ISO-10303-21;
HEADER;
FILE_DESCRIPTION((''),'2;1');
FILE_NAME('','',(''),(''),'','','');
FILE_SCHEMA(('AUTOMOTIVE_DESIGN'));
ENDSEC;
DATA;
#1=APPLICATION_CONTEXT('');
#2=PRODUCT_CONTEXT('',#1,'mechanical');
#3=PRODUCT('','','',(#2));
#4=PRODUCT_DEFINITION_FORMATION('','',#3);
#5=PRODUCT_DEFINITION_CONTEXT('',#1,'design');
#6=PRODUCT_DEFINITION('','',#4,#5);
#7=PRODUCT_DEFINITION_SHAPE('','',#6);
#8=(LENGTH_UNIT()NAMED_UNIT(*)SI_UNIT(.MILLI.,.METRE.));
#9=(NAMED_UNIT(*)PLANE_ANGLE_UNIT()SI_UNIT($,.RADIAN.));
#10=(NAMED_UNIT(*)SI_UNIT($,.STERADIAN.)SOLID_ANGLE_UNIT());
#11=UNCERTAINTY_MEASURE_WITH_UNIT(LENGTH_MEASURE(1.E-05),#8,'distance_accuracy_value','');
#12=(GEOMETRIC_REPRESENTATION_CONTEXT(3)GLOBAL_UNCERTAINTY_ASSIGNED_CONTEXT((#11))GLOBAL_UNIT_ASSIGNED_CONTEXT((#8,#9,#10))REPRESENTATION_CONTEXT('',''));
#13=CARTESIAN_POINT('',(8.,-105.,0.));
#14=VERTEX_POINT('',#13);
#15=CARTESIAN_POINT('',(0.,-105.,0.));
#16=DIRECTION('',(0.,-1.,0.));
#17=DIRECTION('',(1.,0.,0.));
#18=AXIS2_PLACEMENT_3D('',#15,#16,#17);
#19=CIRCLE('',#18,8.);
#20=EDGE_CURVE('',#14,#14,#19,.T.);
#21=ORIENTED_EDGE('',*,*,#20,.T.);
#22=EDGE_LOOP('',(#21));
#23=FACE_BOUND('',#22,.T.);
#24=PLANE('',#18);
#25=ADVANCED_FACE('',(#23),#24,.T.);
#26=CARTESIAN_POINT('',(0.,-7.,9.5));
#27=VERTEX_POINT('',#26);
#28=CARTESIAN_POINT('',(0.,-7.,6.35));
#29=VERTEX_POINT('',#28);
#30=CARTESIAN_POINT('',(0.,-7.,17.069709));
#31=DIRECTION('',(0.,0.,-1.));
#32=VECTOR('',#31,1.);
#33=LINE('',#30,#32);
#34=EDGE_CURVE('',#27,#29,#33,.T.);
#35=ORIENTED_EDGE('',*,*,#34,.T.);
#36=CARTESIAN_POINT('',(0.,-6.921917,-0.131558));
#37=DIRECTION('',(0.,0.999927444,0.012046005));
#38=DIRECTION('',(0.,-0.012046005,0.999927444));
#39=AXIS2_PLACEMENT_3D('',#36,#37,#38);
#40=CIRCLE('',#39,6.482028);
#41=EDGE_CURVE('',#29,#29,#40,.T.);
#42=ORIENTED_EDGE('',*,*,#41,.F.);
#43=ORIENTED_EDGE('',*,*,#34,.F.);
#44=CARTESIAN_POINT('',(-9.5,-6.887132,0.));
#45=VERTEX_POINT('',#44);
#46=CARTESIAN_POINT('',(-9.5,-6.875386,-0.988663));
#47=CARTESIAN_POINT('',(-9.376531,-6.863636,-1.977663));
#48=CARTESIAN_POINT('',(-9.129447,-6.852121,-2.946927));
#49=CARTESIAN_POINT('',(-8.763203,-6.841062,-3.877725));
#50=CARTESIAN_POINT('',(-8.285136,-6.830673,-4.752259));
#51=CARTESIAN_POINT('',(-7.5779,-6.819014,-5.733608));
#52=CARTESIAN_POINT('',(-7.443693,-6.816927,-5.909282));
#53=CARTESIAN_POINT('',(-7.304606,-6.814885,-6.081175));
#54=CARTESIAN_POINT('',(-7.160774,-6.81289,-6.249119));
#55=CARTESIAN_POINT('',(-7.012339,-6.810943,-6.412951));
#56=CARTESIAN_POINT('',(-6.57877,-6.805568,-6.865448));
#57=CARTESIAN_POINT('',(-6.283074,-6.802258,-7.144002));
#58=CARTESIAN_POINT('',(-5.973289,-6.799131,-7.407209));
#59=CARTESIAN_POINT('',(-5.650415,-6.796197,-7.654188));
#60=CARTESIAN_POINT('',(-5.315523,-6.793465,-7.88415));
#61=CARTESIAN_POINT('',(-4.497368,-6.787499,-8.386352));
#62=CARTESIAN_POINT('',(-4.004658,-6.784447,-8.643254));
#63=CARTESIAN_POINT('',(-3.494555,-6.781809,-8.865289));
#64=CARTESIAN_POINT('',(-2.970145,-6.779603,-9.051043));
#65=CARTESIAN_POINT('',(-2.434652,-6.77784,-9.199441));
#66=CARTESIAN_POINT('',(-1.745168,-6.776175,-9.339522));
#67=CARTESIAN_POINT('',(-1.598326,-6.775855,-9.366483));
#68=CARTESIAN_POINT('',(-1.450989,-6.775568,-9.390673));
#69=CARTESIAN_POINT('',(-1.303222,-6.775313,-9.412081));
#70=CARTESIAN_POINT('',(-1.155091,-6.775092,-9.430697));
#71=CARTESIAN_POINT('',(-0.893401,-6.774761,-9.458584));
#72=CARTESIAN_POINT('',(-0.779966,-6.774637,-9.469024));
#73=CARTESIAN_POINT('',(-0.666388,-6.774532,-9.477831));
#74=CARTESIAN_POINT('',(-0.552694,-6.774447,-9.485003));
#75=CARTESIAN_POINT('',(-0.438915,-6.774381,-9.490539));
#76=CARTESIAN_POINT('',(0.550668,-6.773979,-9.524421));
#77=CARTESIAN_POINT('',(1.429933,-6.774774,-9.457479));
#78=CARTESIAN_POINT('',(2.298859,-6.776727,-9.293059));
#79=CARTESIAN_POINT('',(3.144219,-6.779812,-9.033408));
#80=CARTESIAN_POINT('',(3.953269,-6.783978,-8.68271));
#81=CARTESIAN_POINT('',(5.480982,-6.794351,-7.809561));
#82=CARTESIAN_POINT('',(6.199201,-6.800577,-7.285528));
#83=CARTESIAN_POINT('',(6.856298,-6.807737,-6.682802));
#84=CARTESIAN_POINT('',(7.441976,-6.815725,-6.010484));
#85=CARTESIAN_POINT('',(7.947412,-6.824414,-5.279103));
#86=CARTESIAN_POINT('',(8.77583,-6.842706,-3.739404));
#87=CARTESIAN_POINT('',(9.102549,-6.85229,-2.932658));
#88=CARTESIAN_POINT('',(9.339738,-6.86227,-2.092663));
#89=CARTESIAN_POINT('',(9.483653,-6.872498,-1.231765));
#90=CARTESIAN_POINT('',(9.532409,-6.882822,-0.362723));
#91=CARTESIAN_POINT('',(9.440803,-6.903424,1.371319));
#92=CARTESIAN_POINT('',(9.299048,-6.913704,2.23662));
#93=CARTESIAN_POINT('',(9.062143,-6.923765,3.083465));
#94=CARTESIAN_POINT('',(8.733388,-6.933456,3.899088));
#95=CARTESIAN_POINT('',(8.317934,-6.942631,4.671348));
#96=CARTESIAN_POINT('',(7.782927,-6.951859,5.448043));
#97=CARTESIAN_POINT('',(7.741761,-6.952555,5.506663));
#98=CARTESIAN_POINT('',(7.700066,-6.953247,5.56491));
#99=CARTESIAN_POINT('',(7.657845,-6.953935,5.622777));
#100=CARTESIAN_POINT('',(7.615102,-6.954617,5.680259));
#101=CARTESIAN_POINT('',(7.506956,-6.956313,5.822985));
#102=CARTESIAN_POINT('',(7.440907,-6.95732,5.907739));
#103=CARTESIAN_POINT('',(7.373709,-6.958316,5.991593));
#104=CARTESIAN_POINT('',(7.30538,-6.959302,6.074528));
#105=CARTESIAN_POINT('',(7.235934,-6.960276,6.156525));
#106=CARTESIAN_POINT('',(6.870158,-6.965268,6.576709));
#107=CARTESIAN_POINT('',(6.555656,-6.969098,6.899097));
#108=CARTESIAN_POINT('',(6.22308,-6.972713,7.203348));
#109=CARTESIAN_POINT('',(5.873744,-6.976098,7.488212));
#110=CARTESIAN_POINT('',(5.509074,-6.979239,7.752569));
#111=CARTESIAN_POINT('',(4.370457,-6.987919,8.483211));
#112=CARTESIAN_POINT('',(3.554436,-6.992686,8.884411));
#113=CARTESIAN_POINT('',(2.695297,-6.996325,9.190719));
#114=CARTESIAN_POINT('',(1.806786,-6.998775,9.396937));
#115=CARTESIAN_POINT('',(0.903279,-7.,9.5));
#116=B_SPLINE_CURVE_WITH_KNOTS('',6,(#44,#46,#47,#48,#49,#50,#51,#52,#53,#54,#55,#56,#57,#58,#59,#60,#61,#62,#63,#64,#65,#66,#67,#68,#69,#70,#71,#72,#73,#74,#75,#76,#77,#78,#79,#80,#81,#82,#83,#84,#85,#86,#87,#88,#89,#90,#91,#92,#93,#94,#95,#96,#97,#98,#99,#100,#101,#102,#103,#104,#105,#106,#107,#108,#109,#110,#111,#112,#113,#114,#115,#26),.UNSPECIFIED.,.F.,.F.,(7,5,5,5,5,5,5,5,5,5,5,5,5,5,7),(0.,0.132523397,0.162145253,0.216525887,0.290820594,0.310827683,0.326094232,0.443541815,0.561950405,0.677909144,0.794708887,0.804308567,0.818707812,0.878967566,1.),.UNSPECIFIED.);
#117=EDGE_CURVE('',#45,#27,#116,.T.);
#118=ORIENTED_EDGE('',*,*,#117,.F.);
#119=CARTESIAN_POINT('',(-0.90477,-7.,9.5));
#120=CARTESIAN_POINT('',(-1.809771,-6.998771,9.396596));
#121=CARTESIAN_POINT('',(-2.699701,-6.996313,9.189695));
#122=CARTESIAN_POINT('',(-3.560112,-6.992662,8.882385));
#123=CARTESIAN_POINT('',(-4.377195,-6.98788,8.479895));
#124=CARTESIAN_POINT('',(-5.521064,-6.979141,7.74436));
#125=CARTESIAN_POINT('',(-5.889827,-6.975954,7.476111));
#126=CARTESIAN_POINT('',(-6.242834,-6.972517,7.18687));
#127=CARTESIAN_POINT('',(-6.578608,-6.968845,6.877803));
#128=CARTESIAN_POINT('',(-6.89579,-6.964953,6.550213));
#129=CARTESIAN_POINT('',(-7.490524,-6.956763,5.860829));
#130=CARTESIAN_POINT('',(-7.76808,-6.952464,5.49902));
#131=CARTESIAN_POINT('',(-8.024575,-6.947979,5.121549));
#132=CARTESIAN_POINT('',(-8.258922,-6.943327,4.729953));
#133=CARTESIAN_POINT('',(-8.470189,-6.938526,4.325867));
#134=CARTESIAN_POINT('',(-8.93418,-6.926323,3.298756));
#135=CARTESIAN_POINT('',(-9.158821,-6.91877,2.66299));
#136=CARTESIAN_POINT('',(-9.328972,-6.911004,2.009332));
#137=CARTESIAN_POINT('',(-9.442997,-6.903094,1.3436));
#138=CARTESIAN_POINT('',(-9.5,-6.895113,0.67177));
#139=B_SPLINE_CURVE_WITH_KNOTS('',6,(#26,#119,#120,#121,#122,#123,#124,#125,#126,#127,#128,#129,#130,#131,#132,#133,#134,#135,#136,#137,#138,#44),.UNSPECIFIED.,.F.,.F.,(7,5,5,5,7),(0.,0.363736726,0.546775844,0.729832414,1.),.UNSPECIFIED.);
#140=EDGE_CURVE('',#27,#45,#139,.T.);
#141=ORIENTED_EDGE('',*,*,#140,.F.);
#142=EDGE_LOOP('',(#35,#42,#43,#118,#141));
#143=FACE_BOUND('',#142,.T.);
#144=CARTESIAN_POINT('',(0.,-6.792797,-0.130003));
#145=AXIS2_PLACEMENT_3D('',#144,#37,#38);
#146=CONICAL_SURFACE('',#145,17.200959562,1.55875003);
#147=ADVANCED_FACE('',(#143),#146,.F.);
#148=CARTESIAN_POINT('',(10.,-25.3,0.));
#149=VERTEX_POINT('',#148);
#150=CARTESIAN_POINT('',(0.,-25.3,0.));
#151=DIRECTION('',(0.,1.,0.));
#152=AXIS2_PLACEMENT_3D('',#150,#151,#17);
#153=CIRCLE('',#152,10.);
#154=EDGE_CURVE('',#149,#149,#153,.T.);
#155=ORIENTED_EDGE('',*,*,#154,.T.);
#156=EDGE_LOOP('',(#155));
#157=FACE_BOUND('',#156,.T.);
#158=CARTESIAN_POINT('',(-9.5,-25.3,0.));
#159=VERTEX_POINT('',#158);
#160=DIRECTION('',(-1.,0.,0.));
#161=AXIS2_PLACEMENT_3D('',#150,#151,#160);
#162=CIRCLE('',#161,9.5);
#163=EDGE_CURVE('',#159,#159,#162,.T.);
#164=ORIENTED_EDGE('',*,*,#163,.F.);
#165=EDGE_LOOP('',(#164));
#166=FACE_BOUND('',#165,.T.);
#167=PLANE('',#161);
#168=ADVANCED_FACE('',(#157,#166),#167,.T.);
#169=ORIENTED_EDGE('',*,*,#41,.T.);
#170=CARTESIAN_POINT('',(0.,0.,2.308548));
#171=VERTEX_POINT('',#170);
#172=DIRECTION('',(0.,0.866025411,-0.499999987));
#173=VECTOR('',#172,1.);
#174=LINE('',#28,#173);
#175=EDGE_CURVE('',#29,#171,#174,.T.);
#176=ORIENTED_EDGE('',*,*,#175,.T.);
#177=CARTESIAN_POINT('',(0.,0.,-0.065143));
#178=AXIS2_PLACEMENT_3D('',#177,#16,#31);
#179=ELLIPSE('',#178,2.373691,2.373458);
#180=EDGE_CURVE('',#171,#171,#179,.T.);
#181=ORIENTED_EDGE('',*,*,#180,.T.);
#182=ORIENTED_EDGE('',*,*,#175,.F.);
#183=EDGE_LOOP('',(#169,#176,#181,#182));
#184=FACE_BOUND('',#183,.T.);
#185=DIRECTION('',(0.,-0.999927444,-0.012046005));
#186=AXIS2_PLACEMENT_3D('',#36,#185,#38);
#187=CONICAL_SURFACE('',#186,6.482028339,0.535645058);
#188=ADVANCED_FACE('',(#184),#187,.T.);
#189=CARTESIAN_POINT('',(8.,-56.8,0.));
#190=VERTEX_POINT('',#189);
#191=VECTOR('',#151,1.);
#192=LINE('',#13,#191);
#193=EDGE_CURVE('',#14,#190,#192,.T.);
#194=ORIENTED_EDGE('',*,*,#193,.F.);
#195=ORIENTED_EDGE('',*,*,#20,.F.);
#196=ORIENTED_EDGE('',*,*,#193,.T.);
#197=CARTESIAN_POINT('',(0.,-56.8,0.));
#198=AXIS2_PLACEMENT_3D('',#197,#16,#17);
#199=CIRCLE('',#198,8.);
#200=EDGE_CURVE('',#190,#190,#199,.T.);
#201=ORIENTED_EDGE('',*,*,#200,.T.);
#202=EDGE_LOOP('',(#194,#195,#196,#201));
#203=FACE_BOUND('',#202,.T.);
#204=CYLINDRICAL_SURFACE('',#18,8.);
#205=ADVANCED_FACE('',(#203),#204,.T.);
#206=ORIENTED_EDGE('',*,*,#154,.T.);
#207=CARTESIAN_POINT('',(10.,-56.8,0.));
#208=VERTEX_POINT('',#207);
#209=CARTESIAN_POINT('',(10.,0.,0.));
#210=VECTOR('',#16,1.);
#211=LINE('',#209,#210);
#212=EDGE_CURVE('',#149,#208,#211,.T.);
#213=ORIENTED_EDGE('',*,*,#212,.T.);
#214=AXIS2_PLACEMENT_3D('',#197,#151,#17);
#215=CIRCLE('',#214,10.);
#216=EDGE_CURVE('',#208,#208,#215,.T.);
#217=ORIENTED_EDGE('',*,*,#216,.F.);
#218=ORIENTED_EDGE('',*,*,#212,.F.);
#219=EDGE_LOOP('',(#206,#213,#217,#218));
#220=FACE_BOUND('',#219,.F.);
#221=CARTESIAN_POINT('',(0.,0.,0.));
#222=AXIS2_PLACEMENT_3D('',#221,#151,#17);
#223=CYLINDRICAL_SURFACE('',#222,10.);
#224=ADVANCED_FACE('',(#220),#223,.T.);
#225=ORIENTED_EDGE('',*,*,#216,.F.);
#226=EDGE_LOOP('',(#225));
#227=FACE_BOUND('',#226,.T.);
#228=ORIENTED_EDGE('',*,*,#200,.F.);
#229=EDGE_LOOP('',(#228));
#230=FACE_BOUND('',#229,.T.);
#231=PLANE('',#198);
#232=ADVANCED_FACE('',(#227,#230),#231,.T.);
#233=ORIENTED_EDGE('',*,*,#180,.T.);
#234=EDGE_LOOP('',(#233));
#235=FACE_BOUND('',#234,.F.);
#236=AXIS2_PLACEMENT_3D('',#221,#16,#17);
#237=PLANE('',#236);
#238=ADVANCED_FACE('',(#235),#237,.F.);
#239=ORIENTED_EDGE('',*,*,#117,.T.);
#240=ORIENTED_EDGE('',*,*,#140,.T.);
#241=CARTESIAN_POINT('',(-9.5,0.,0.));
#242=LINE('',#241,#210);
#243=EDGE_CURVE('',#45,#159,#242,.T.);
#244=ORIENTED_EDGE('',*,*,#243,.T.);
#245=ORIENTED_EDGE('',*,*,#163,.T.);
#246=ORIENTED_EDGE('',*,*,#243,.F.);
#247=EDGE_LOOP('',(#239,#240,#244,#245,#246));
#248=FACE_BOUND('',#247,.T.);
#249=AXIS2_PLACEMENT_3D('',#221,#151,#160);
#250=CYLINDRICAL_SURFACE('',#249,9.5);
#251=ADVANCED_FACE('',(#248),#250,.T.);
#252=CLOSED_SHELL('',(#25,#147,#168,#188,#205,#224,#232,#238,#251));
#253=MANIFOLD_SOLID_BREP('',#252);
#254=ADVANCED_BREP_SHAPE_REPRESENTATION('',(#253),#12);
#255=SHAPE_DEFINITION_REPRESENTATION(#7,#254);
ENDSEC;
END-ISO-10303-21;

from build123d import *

# Parameters (mm, degrees)
F0_R     = 10
F1_DEPTH = 105
F2_R     = 15.829985
F2_R_2   = 9.5
F3_DEPTH = 25.3
F6_R     = 17.927182
F6_R_2   = 8
F7_DEPTH = 48.2


with BuildPart() as f1:
    # F0 (on Front) → F1 (new body)
    with BuildSketch(Plane.XZ):
        Circle(F0_R)
    extrude(amount=F1_DEPTH)

    # F2 (on face) → F3 (cut)
    with BuildSketch(Plane(origin=(0, 0, 0), x_dir=(-1, 0, 0), z_dir=(0, 1, 0))):
        Circle(F2_R)
        Circle(F2_R_2, mode=Mode.SUBTRACT)
    extrude(amount=-F3_DEPTH, mode=Mode.SUBTRACT)

    # F4 (on Right) → F5 (revolve, cut)
    with BuildSketch(Plane.YZ):
        Polygon((-7, 17.069709), (-7, 6.35), (3.998523, 0), (6.907294, 0.035041), (6.702085, 17.069709), align=None)
    revolve(axis=Axis((0, 5.452908, 0.01752), (0, 0.999927, 0.012046)), mode=Mode.SUBTRACT)

    # F6 (on face) → F7 (cut)
    with BuildSketch(Plane.XZ.offset(105)):
        Circle(F6_R)
        Circle(F6_R_2, mode=Mode.SUBTRACT)
    extrude(amount=-F7_DEPTH, mode=Mode.SUBTRACT)


solid = f1.part
